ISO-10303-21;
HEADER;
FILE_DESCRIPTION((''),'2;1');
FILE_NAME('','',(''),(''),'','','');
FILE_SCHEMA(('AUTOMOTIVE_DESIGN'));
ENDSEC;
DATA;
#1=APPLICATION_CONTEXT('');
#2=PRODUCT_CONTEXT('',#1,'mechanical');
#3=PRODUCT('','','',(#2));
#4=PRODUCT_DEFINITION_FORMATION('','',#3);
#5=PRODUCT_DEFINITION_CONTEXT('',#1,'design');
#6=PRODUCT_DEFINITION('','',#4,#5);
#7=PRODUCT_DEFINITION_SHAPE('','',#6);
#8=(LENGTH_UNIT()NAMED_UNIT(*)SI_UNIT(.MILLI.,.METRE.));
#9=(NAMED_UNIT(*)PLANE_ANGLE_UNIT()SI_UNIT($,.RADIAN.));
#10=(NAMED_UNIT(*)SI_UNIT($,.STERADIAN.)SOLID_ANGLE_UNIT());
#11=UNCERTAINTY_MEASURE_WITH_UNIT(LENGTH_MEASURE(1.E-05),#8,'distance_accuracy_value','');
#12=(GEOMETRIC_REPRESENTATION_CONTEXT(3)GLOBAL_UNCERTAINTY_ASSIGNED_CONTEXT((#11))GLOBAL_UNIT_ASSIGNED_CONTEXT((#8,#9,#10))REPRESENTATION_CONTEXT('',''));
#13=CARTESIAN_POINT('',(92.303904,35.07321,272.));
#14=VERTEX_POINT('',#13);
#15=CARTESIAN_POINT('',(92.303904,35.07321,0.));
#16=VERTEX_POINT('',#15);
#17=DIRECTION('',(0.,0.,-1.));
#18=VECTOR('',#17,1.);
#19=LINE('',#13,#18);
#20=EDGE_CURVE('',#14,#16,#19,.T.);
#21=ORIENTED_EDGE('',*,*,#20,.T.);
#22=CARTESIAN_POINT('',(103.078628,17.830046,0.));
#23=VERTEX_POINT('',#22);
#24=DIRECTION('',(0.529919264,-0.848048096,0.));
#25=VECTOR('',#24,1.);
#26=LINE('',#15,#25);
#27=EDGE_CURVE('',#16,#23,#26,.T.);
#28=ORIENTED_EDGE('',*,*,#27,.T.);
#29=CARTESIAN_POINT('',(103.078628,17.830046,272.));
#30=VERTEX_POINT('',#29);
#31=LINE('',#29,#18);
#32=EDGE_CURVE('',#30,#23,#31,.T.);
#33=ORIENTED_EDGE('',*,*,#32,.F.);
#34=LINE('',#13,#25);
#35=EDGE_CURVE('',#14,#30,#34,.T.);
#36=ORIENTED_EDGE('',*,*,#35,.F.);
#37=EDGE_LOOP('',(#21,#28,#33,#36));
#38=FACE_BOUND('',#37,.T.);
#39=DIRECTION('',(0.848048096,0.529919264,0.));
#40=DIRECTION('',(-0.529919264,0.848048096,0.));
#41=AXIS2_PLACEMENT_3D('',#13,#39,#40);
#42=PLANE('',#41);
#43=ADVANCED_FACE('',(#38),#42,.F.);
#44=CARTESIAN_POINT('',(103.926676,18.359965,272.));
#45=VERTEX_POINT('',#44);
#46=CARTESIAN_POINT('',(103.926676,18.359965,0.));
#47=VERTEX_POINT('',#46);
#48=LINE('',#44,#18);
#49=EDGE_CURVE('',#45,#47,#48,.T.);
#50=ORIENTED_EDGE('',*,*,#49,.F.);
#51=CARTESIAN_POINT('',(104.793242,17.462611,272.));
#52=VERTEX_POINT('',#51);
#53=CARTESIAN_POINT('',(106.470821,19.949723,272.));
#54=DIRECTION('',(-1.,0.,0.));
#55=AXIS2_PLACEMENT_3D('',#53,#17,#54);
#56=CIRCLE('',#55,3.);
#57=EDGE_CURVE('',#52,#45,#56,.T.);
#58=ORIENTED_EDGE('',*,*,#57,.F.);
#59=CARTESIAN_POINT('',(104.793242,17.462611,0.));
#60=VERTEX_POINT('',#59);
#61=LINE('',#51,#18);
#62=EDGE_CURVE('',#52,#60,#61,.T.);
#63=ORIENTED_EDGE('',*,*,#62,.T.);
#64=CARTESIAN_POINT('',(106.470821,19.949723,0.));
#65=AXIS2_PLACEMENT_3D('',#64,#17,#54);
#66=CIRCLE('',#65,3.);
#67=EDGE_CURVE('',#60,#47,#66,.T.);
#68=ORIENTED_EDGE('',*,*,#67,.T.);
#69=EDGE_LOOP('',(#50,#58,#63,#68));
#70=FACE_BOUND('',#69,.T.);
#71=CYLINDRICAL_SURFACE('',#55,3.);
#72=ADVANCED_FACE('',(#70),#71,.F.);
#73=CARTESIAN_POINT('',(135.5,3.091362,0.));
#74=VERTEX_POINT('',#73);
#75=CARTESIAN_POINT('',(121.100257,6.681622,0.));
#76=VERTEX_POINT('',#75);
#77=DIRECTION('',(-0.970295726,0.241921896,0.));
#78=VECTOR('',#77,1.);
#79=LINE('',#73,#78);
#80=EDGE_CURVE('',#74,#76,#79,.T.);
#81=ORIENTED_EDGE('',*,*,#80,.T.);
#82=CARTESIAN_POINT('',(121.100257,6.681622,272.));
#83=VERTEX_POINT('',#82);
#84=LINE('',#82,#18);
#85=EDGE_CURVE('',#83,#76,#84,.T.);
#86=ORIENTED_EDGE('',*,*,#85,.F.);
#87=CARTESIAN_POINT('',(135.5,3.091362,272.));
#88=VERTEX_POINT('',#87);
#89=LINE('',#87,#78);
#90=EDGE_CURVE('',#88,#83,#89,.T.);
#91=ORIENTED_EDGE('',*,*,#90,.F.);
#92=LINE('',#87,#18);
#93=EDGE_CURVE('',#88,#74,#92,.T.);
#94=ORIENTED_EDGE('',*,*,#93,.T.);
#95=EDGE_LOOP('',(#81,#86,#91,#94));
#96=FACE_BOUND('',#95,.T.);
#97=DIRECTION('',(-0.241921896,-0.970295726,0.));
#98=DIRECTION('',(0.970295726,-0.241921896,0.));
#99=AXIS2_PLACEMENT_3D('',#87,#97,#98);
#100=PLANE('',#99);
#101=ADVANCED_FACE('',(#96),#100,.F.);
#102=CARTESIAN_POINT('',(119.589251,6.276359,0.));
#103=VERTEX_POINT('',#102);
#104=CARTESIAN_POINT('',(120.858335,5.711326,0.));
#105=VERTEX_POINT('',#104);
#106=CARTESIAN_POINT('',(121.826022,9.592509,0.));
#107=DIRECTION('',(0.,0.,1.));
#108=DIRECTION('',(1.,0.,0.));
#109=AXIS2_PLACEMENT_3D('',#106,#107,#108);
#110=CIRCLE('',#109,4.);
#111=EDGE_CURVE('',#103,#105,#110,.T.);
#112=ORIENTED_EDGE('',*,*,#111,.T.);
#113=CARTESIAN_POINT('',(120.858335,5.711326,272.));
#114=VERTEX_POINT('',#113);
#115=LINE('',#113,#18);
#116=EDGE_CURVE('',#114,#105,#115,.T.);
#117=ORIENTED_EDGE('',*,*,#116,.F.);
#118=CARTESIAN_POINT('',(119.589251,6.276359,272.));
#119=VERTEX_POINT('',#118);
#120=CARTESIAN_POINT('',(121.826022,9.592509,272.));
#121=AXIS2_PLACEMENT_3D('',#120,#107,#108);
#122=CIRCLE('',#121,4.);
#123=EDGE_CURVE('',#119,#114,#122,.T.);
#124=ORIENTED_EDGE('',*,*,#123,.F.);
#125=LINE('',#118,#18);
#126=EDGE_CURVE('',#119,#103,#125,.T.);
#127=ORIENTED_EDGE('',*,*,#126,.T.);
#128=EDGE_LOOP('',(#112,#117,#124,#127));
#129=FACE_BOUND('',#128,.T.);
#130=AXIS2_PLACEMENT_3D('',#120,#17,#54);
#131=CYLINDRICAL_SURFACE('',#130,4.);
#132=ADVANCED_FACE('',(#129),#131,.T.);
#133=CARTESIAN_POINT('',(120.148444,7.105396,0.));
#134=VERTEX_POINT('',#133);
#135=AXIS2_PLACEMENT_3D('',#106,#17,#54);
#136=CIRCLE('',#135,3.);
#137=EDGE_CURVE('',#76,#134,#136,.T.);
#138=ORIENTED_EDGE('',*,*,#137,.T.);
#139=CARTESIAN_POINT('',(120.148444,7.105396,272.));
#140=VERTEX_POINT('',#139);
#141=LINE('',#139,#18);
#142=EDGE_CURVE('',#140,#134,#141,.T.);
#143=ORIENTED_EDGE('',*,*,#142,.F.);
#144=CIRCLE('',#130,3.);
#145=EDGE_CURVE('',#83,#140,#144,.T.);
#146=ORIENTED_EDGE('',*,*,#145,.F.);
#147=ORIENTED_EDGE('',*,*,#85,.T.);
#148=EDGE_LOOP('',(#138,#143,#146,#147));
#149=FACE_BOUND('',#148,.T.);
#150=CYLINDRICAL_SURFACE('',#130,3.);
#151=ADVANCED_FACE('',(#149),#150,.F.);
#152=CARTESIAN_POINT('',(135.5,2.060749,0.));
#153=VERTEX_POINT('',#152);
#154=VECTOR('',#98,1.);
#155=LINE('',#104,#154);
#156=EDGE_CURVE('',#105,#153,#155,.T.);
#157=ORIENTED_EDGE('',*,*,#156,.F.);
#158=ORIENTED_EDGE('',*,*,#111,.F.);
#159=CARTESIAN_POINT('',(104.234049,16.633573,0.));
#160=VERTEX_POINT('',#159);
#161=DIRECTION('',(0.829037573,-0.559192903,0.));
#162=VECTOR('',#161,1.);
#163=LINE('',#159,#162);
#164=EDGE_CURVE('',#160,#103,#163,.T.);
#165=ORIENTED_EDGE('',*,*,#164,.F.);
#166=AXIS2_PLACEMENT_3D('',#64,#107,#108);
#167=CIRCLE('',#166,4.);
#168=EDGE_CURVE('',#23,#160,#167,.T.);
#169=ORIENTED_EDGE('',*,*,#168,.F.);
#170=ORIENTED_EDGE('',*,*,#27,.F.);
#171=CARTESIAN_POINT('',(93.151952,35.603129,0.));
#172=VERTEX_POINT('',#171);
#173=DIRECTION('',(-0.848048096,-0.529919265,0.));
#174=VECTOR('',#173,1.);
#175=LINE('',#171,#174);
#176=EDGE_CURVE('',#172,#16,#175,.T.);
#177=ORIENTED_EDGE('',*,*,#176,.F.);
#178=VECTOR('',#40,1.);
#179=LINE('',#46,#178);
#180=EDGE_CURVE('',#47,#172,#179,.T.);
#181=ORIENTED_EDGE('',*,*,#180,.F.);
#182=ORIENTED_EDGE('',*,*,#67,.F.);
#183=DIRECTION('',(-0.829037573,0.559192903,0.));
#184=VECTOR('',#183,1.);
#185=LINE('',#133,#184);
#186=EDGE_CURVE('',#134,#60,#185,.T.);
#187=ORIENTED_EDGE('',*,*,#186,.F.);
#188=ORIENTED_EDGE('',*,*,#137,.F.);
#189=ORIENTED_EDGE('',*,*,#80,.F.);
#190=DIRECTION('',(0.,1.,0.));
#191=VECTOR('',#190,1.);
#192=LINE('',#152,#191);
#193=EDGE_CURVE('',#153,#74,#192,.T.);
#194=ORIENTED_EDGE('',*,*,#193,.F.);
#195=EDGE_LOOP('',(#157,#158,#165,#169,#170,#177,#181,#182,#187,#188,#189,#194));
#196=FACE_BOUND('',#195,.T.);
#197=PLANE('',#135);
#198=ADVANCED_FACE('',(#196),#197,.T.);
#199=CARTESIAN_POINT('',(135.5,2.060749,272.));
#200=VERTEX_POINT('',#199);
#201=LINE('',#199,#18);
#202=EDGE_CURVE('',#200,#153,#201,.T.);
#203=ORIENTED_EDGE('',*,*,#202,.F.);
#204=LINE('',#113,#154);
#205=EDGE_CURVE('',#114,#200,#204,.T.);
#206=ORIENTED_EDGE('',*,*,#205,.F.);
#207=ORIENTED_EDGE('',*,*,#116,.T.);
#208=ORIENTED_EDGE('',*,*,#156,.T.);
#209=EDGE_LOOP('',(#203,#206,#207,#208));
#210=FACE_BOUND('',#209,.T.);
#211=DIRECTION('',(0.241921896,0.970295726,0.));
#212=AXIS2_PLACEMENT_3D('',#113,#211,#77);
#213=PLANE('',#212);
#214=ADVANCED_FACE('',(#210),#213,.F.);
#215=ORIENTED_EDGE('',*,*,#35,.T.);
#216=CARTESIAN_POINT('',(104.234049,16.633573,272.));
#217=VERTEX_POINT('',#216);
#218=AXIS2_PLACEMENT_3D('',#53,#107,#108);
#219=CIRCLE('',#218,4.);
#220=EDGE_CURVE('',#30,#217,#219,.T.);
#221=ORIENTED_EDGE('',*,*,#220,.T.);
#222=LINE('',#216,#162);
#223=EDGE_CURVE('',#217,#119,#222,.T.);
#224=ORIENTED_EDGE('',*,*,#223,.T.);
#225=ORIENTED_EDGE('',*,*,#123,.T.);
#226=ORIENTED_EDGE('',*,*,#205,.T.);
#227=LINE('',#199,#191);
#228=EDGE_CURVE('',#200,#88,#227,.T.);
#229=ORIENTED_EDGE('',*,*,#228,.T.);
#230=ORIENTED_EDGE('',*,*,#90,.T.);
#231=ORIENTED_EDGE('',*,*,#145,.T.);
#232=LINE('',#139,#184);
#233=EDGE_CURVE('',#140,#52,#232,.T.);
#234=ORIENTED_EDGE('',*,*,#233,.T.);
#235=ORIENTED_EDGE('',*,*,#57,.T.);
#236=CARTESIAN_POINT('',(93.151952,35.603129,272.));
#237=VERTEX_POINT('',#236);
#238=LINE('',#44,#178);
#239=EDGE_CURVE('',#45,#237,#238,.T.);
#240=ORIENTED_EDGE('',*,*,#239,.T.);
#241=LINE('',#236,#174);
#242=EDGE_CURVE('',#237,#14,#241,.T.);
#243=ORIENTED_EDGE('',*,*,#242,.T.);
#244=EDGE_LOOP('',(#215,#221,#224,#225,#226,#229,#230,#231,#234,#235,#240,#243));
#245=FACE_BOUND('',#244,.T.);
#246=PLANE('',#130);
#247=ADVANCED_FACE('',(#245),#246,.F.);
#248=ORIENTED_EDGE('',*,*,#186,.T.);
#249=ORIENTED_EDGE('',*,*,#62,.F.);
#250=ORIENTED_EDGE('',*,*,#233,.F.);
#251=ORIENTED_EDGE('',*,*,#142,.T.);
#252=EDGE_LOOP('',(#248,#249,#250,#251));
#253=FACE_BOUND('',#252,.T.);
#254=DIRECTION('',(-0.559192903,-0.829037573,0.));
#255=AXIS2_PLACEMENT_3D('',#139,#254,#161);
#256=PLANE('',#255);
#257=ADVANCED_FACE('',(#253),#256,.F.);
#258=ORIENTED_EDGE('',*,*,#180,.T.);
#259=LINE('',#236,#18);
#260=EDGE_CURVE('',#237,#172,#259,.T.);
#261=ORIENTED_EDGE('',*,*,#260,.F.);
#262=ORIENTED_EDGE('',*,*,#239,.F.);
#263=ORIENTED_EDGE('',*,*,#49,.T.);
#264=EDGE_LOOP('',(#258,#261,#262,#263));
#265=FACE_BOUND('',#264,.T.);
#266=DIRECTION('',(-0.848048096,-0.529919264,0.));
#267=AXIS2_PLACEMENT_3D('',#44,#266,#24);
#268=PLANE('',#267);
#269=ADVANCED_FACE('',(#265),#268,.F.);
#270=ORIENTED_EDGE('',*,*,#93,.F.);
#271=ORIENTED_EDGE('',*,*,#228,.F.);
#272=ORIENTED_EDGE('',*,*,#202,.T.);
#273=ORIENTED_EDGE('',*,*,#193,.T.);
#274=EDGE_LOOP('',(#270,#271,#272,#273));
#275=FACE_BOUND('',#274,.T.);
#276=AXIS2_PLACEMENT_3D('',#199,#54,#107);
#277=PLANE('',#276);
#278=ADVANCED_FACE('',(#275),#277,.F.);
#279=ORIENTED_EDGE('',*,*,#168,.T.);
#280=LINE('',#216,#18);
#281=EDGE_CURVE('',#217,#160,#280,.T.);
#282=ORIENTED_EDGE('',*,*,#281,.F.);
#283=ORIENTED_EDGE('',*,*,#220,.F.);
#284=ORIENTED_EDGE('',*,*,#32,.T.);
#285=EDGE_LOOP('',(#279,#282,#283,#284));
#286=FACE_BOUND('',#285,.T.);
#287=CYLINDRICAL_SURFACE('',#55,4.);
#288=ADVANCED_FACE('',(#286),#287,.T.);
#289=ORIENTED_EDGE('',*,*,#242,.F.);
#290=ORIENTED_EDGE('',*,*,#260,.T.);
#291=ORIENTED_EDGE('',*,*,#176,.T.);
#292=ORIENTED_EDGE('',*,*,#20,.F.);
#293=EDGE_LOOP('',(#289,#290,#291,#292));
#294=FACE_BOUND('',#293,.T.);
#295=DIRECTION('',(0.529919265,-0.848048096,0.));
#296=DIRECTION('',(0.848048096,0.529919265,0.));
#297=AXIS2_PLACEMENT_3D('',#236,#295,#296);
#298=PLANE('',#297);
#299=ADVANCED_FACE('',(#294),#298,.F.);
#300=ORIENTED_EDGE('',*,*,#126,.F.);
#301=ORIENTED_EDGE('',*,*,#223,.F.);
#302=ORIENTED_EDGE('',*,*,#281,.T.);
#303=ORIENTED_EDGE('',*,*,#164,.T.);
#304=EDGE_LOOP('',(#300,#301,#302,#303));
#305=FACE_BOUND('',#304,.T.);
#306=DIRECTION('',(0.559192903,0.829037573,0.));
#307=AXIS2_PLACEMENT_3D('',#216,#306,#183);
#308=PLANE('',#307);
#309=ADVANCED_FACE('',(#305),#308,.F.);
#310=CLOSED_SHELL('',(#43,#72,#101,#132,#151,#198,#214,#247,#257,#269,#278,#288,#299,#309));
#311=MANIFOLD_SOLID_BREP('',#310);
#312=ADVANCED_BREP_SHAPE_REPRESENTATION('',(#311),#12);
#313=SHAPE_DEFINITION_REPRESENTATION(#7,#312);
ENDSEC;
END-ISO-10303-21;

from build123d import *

# Parameters (mm, degrees)
NESTED_SUPPORT_SKIN_BEHIND_TOE_DEPTH = 272


with BuildPart() as part:
    # Nested support skin behind toe profile → Nested support skin behind toe (new body)
    with BuildSketch(Plane.XY):
        with BuildLine():
            Line((135.5, 3.091362383), (121.100256736, 6.681621613))
            ThreePointArc((121.100256736, 6.681621613), (120.605812494, 6.851872419), (120.148443712, 7.105396074))
            Line((120.148443712, 7.105396074), (104.793241848, 17.462610509))
            ThreePointArc((104.793241848, 17.462610509), (104.312801158, 17.865748115), (103.92667627, 18.359965434))
            Line((103.92667627, 18.359965434), (93.151951904, 35.603128879))
            Line((93.151951904, 35.603128879), (92.303903808, 35.073209614))
            Line((92.303903808, 35.073209614), (103.078628174, 17.83004617))
            ThreePointArc((103.078628174, 17.83004617), (103.593461357, 17.171089745), (104.234048945, 16.633572937))
            Line((104.234048945, 16.633572937), (119.589250809, 6.276358502))
            ThreePointArc((119.589250809, 6.276358502), (120.19907585, 5.938326962), (120.85833484, 5.711325887))
            Line((120.85833484, 5.711325887), (135.5, 2.060748754))
            Line((135.5, 2.060748754), (135.5, 3.091362383))
        make_face()
    extrude(amount=NESTED_SUPPORT_SKIN_BEHIND_TOE_DEPTH)


solid = part.part
